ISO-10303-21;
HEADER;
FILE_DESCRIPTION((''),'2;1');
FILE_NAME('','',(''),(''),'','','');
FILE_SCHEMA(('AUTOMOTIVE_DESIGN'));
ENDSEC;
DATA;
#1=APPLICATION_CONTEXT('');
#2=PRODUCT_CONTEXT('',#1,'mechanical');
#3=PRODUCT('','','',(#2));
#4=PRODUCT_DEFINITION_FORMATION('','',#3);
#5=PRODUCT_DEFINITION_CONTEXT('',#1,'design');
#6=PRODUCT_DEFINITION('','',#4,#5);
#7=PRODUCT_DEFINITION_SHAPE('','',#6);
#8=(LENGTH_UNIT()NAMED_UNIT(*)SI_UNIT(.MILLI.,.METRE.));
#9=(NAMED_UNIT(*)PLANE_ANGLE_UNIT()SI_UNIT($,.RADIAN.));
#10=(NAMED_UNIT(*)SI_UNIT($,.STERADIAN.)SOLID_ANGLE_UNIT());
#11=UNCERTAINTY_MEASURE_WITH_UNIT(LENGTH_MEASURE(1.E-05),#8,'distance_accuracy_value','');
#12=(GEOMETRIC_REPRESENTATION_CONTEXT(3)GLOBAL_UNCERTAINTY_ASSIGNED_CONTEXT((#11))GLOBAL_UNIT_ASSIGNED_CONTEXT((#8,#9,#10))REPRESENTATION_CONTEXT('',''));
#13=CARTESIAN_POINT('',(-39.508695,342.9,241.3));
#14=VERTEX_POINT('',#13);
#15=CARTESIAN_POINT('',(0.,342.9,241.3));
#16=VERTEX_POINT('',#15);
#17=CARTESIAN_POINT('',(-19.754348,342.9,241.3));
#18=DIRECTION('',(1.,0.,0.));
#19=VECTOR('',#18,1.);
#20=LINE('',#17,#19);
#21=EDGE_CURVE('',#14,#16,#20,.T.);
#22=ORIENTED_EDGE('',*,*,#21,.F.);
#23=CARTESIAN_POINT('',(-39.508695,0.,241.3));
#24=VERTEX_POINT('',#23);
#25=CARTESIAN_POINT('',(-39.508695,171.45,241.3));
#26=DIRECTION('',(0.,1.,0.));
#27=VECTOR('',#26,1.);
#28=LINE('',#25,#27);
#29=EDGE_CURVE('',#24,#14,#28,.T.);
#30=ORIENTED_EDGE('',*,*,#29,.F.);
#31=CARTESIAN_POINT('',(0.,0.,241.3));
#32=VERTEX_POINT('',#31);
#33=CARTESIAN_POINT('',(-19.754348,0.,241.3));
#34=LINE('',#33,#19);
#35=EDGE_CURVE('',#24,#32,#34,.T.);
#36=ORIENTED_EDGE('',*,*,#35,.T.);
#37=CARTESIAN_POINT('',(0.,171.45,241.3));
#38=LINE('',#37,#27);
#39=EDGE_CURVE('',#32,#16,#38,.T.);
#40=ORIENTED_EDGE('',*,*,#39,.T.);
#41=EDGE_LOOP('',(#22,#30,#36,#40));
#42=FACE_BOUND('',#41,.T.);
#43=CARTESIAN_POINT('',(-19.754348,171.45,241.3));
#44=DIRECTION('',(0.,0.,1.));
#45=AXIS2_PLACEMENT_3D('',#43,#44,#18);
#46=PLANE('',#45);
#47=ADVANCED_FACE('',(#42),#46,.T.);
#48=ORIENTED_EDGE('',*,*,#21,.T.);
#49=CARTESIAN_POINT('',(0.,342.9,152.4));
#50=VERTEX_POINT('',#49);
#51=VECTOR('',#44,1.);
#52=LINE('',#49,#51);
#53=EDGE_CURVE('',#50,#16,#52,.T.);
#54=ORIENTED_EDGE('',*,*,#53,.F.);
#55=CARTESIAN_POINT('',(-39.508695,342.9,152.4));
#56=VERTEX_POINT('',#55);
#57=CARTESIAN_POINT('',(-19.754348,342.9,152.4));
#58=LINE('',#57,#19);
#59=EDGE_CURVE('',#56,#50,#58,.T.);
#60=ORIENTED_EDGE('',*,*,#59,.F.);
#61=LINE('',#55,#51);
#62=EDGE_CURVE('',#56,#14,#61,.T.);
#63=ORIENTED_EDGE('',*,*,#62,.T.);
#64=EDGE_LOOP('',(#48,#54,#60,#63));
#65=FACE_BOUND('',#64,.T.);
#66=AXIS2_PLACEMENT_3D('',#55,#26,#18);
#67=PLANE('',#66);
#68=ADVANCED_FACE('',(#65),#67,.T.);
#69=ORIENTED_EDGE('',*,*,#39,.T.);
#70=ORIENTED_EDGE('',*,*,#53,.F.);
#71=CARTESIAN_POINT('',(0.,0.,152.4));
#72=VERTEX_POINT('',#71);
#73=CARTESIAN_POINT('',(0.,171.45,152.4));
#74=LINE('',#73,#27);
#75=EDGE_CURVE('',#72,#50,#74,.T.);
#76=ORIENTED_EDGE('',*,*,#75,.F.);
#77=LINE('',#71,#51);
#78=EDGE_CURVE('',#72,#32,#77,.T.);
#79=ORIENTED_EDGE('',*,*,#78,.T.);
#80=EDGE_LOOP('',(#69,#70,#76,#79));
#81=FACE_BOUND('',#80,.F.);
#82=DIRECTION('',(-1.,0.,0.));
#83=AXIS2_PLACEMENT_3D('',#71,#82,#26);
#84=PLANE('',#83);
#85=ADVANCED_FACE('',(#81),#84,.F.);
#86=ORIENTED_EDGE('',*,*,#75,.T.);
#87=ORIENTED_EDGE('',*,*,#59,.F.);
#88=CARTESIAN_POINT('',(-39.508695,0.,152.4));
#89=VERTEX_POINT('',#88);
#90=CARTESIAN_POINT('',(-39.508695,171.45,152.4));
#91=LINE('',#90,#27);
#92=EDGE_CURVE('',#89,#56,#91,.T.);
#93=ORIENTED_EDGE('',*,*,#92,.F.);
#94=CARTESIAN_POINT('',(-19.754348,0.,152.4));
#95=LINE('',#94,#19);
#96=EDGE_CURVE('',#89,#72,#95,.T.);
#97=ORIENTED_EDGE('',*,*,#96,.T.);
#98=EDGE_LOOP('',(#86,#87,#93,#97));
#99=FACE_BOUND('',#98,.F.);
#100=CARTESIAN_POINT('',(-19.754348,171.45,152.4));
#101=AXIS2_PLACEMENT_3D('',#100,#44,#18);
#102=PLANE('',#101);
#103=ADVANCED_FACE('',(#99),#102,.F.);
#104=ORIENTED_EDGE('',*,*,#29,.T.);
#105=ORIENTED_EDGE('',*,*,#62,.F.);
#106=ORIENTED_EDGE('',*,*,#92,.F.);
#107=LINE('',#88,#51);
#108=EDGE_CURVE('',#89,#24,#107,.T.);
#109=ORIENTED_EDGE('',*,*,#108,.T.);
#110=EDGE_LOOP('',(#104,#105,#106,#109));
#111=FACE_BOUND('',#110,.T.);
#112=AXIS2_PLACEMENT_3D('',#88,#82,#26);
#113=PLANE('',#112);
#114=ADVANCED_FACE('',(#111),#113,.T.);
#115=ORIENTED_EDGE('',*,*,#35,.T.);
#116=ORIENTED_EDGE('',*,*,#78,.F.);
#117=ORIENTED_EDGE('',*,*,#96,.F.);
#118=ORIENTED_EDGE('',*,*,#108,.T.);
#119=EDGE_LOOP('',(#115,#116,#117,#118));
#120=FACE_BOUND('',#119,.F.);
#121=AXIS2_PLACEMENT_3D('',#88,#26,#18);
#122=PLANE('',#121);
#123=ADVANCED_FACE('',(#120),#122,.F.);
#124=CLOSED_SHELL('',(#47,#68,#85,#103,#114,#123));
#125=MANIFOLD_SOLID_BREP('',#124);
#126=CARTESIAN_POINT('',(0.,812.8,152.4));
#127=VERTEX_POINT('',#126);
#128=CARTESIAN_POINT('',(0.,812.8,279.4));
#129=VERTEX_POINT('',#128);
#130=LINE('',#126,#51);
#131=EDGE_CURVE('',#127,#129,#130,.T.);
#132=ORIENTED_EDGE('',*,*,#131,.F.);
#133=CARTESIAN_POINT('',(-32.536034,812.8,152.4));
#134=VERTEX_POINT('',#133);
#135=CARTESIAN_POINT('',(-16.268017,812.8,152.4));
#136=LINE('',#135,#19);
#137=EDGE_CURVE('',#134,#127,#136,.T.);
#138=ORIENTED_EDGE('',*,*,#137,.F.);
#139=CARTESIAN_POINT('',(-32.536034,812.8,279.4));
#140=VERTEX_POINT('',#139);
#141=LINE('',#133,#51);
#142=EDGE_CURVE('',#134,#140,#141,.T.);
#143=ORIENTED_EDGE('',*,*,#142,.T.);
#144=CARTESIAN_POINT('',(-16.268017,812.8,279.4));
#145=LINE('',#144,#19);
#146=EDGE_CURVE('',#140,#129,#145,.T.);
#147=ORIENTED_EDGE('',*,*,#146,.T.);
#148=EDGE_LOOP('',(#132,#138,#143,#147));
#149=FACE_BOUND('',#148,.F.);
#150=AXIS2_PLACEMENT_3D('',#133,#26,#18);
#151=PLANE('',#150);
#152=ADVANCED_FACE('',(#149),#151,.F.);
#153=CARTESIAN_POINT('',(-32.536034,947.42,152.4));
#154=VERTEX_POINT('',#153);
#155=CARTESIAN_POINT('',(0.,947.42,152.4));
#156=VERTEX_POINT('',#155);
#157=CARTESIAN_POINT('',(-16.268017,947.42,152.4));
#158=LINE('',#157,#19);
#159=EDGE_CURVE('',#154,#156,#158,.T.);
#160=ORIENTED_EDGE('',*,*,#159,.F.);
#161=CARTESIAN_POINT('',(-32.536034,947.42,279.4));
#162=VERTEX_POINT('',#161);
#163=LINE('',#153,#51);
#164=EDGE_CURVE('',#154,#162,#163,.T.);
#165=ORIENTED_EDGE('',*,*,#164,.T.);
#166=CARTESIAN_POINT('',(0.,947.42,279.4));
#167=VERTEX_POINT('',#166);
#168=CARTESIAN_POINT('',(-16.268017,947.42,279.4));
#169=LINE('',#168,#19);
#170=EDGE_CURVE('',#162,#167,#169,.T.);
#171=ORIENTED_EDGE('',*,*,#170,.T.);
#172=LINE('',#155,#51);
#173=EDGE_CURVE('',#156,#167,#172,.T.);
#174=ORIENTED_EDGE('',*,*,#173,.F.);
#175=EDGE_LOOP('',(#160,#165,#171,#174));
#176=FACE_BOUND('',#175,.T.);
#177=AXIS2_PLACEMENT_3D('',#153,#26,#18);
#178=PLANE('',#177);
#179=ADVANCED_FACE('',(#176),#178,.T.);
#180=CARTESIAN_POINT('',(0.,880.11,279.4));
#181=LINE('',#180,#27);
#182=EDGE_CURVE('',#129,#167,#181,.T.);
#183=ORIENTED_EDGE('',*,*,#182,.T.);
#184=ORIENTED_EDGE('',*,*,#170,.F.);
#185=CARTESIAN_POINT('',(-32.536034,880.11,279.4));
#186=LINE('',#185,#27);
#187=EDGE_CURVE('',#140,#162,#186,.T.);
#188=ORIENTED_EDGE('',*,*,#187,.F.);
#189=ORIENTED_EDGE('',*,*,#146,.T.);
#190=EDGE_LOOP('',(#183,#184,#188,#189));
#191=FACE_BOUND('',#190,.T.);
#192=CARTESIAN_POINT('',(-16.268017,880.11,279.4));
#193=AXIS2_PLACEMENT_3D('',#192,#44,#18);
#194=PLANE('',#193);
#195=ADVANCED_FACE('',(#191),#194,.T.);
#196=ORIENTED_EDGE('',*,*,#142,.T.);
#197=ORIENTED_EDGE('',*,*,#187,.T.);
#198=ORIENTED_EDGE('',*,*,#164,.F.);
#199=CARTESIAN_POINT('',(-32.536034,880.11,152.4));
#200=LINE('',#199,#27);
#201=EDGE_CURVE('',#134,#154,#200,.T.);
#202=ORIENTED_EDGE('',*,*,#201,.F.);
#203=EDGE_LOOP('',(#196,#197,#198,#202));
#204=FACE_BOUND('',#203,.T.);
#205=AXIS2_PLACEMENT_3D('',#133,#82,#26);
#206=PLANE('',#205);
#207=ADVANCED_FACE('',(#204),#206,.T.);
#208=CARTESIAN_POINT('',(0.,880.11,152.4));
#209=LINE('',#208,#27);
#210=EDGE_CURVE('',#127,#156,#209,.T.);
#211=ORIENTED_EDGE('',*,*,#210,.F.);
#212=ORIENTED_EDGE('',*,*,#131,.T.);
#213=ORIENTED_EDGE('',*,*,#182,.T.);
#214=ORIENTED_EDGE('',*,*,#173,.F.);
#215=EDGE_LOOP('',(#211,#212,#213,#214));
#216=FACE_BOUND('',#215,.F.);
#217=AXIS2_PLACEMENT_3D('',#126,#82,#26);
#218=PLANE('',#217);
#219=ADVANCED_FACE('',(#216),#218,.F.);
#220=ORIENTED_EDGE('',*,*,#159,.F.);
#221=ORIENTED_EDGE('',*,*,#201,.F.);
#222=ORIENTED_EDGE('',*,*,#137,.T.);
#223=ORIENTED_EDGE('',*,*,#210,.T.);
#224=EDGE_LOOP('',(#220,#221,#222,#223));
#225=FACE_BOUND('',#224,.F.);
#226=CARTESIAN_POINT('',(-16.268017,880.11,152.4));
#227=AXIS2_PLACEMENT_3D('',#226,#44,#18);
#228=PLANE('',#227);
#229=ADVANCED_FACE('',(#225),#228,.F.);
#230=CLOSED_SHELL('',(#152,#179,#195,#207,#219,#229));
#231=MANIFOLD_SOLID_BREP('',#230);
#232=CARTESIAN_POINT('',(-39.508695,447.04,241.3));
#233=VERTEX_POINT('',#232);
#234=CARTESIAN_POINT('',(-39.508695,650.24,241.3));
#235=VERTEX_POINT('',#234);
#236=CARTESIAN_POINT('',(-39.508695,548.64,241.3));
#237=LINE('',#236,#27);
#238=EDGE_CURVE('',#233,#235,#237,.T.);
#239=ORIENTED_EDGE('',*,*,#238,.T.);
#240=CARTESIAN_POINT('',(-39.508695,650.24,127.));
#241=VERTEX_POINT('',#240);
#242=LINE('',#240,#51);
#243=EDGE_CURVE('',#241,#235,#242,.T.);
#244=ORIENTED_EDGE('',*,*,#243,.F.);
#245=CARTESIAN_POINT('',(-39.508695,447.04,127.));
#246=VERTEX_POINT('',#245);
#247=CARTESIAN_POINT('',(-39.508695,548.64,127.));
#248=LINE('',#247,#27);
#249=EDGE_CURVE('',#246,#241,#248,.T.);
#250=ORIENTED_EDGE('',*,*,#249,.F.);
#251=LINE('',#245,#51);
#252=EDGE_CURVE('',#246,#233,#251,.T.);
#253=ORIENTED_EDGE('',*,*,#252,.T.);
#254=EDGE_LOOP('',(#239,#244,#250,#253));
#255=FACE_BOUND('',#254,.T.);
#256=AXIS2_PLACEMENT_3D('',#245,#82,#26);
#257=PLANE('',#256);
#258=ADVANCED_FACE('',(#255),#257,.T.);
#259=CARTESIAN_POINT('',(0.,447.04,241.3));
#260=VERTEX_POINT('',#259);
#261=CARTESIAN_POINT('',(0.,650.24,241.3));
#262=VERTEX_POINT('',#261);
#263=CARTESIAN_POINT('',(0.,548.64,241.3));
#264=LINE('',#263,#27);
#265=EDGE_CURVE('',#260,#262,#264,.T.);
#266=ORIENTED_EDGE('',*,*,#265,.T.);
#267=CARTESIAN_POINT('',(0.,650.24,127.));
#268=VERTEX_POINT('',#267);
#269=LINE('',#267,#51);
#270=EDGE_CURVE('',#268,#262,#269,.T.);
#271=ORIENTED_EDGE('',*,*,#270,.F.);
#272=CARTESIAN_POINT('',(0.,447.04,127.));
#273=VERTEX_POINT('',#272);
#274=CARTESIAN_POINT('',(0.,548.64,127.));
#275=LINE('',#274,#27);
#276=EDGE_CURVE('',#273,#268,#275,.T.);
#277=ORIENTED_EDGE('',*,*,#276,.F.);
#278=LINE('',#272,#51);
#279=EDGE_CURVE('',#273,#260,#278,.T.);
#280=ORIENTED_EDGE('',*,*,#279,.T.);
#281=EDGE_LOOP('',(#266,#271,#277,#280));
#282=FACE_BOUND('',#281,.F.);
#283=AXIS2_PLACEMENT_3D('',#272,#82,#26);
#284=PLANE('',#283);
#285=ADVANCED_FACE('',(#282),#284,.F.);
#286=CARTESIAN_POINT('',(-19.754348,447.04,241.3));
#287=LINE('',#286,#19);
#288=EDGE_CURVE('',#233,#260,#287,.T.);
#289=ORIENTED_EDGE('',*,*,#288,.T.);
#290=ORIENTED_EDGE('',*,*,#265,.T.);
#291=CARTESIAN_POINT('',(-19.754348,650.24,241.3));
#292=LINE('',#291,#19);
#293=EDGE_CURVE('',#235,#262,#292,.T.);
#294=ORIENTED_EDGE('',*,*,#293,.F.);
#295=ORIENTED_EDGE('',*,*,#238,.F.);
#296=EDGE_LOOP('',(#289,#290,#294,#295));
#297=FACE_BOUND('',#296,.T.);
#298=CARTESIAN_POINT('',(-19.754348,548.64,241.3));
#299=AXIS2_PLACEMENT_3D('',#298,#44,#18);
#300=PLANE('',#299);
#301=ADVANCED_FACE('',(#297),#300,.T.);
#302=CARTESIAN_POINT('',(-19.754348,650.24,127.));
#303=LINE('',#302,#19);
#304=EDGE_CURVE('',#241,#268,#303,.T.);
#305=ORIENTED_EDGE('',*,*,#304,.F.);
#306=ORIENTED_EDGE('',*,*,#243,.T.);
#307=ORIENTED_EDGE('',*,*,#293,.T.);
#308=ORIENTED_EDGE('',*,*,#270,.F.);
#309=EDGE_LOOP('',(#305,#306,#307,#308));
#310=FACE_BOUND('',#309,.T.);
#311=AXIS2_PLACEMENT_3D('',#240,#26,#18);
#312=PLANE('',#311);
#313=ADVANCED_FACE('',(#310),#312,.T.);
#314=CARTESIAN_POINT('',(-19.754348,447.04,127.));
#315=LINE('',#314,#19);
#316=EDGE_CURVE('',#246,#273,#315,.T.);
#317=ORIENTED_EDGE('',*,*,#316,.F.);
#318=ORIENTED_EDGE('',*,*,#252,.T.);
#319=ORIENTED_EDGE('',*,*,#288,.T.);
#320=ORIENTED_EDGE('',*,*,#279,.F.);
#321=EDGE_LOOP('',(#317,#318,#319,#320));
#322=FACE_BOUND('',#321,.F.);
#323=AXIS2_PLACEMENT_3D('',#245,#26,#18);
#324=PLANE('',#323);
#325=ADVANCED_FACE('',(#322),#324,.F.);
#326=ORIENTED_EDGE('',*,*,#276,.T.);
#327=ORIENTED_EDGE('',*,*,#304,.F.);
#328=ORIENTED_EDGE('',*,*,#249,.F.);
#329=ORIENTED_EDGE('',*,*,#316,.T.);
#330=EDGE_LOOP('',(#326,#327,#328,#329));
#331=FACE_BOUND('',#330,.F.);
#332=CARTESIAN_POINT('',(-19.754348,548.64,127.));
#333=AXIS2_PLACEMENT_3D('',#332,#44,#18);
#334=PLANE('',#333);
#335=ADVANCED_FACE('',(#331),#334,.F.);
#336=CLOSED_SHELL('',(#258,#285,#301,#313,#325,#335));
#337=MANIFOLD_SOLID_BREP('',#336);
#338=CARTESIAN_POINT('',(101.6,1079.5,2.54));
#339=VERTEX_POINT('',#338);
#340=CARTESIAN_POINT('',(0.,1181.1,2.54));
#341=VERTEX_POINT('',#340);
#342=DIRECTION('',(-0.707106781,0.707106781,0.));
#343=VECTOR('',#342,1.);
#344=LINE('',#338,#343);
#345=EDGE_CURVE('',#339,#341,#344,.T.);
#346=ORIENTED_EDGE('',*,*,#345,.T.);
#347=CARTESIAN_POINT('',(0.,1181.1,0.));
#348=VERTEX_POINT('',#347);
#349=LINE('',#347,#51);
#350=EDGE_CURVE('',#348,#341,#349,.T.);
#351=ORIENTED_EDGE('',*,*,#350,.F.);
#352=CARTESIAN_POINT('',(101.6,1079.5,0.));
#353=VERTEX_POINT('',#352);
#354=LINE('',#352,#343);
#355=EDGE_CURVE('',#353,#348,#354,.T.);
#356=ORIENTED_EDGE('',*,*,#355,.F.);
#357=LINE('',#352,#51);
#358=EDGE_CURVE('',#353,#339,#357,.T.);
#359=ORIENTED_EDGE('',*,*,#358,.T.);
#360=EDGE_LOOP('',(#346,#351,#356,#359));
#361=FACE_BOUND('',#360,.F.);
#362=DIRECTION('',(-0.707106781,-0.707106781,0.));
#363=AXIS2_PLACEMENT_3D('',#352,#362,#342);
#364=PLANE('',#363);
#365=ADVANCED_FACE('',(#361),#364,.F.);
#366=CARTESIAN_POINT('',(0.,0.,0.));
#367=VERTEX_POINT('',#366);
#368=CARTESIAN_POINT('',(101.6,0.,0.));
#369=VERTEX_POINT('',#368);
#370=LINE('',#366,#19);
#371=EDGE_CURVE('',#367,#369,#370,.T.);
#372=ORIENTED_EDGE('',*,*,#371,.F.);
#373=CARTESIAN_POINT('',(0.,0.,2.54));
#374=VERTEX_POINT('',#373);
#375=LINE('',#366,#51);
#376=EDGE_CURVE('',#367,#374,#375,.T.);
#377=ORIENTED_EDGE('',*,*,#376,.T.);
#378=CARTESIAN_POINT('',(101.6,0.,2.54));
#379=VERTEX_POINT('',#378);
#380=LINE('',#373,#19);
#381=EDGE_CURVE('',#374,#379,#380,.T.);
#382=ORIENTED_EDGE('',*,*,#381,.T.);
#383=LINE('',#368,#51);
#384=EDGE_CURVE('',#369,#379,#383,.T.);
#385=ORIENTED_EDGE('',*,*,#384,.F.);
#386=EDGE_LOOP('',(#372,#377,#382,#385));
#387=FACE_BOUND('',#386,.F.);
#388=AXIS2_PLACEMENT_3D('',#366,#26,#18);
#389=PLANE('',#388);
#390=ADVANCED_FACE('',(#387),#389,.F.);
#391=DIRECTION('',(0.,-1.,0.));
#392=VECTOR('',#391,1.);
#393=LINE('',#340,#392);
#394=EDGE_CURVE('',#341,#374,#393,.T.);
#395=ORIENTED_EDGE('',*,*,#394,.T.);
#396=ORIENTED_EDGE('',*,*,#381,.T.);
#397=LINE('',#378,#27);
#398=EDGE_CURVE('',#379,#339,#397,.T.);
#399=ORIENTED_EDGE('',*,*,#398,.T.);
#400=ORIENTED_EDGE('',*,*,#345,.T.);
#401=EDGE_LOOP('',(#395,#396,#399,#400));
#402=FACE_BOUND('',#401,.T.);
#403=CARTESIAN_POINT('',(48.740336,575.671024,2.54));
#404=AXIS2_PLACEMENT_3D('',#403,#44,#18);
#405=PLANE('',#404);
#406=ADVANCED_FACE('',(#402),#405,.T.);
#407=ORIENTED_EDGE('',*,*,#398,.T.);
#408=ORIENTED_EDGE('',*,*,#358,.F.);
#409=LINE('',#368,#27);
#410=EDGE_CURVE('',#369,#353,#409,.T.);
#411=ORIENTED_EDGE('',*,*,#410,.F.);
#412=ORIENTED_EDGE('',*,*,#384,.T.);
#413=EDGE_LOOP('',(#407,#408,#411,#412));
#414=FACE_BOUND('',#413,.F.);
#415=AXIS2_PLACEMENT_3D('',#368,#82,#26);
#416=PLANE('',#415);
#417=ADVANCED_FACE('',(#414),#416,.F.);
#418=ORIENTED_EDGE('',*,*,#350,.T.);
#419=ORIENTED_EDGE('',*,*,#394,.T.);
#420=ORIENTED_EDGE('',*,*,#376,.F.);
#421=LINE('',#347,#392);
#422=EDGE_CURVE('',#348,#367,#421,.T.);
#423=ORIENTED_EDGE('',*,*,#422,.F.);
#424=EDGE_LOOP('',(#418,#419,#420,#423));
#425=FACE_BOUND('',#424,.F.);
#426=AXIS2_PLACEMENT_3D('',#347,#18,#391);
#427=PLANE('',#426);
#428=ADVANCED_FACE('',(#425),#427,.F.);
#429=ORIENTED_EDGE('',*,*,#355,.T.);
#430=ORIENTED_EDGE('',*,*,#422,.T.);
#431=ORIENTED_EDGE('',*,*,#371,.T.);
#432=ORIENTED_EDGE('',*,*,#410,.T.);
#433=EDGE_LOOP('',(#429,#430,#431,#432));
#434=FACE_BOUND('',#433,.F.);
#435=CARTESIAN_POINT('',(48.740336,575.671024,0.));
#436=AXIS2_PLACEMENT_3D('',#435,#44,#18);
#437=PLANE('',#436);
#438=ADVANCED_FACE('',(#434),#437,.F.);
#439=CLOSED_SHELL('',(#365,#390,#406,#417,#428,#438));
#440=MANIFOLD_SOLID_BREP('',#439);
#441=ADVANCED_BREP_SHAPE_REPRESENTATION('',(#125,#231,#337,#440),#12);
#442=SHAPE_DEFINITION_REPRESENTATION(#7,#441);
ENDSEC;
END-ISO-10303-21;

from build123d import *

# Parameters (mm, degrees)
F1_DEPTH = 2.54
F3_START = 152.4
F2_W     = 39.5086954395
F2_H     = 342.9
F3_DEPTH = 88.9
F4_START = 127
F2_H_2   = 203.2
F4_DEPTH = 114.3
F5_START = 152.4
F2_W_2   = 32.536033541
F2_H_3   = 134.62
F5_DEPTH = 127


with BuildPart() as f1:
    # F0 (on Top) → F1 (new body)
    with BuildSketch(Plane.XY):
        Polygon((101.6, 1079.5), (0, 1181.1), (0, 0), (101.6, 0), align=None)
    extrude(amount=F1_DEPTH)


with BuildPart() as f3:
    # F2 (on Top) → F3 (new body)
    with BuildSketch(Plane.XY.offset(F3_START)):
        with Locations((-19.7543477197, 171.45)):
            Rectangle(F2_W, F2_H)
    extrude(amount=F3_DEPTH)


with BuildPart() as f4:
    # F2 (on Top) → F4 (new body)
    with BuildSketch(Plane.XY.offset(F4_START)):
        with Locations((-19.7543477197, 548.64)):
            Rectangle(F2_W, F2_H_2)
    extrude(amount=F4_DEPTH)


with BuildPart() as f5:
    # F2 (on Top) → F5 (new body)
    with BuildSketch(Plane.XY.offset(F5_START)):
        with Locations((-16.2680167705, 880.11)):
            Rectangle(F2_W_2, F2_H_3)
    extrude(amount=F5_DEPTH)


solid = Compound([f1.part, f3.part, f4.part, f5.part])
